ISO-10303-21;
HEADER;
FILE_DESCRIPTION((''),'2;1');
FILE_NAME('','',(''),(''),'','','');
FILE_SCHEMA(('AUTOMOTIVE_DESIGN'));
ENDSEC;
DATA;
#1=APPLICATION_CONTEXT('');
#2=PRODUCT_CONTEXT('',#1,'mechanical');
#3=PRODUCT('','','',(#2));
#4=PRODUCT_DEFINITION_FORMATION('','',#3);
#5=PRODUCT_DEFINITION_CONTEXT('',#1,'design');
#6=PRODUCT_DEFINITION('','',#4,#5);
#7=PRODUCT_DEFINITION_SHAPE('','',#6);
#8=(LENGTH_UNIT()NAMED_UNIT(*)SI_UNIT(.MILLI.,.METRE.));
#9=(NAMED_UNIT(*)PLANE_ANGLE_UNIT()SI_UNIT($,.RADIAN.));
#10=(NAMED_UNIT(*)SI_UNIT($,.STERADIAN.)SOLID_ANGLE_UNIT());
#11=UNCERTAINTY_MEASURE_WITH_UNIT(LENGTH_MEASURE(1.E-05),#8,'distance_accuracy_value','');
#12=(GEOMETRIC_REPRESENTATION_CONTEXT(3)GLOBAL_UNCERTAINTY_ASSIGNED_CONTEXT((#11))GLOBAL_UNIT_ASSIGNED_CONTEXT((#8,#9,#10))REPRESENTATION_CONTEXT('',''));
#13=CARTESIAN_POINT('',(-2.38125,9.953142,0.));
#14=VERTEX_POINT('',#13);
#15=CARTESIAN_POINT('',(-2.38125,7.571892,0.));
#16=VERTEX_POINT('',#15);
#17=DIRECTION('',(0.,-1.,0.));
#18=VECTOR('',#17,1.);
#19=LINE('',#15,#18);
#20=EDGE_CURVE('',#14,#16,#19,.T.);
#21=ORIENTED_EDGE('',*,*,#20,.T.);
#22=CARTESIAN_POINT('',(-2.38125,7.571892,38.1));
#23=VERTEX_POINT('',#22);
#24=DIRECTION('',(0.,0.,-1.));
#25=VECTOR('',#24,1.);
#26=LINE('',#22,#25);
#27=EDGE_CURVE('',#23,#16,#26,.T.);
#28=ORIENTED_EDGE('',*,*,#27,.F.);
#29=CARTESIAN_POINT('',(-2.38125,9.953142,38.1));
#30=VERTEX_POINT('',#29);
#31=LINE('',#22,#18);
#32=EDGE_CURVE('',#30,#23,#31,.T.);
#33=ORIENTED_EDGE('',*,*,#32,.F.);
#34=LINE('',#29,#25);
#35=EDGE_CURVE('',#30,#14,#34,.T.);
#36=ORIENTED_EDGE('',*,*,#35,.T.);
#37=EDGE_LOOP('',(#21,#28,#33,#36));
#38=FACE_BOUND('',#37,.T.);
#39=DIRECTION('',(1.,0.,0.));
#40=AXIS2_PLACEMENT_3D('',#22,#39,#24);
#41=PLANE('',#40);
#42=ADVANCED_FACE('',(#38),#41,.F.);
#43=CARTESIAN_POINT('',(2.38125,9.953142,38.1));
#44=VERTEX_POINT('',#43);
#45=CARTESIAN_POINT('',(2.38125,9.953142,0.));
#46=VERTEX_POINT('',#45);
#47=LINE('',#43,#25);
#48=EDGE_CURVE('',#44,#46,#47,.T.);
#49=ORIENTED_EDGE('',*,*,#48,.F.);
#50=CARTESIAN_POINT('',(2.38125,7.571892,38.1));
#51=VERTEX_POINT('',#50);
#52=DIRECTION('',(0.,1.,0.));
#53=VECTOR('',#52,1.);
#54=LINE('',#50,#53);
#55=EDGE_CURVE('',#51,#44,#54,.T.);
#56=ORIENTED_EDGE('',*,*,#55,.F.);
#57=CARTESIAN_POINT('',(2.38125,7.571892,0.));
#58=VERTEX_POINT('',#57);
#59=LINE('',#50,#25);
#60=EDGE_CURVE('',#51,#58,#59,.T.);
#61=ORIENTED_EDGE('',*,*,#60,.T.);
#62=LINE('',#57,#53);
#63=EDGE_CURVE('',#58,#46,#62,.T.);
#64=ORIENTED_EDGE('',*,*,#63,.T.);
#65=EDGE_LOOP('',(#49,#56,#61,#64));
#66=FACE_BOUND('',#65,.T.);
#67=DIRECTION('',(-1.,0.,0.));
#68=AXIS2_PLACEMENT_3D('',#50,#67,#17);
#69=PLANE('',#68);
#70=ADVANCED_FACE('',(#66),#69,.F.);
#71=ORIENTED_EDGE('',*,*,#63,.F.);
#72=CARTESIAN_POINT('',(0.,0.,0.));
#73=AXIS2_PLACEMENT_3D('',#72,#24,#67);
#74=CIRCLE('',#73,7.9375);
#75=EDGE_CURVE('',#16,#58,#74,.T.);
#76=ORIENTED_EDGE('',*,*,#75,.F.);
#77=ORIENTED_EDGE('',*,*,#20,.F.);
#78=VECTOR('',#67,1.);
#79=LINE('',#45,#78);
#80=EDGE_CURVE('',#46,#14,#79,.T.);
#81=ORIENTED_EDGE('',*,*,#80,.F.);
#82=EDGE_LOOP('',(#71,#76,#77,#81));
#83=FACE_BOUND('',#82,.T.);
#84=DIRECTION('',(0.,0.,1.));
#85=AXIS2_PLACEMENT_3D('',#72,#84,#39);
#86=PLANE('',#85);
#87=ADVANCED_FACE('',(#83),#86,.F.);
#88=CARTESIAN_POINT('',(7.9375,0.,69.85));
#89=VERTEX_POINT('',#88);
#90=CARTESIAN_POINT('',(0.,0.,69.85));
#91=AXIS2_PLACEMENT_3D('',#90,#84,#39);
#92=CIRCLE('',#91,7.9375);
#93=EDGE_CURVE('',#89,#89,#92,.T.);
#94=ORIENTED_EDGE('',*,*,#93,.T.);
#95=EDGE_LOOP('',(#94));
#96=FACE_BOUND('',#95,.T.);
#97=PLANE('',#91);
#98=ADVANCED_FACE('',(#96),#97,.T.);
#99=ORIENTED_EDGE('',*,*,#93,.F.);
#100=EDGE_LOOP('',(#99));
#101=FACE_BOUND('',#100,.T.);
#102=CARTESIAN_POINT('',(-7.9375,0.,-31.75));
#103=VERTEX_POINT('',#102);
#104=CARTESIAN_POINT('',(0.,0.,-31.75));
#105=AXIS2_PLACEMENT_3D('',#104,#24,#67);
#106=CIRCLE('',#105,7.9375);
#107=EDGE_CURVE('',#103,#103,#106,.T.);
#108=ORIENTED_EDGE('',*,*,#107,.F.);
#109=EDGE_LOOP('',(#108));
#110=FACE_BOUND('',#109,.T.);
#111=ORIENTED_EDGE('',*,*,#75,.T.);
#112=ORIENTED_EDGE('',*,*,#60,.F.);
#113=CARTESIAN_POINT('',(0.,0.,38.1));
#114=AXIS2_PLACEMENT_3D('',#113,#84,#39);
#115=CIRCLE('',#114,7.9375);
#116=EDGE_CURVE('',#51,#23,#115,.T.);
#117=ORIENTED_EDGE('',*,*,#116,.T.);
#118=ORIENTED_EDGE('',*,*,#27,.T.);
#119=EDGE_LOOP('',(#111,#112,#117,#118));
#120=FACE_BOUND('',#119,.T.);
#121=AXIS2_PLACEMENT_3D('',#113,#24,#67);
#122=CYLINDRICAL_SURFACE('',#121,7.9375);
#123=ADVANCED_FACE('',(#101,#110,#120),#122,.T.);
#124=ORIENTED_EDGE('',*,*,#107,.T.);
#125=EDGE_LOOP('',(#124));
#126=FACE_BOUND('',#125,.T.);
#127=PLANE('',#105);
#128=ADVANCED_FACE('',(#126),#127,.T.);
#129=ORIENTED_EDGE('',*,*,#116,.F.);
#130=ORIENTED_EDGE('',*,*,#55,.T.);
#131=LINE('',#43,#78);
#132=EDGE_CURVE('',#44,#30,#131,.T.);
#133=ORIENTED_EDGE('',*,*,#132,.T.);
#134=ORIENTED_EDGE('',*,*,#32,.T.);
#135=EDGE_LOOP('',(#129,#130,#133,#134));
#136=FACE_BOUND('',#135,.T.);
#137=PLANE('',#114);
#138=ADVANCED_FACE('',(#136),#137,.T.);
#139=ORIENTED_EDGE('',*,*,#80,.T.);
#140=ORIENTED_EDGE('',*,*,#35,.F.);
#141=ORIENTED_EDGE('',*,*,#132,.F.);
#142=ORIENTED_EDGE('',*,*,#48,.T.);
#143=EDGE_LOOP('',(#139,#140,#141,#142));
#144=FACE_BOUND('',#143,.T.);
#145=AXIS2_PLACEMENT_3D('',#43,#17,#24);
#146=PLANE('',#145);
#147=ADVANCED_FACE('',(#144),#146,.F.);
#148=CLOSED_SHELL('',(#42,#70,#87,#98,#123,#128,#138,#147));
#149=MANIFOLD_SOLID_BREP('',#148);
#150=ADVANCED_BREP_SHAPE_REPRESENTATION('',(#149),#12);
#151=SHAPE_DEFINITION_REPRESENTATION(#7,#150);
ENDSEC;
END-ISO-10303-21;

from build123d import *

# Parameters (mm, degrees)
BOSS_EXTRUDE1_DEPTH = 38.1
SKETCH2_R           = 7.9375
BOSS_EXTRUDE2_DEPTH = 31.75
BOSS_EXTRUDE3_START = 31.75
SKETCH3_R           = 7.9375
BOSS_EXTRUDE3_DEPTH = 31.75


with BuildPart() as part:
    # Sketch1 → Boss-Extrude1 (new body)
    with BuildSketch(Plane.XY):
        with BuildLine():
            Line((2.38125, 7.571892411), (2.38125, 9.953142411))
            Line((2.38125, 9.953142411), (-2.38125, 9.953142411))
            Line((-2.38125, 9.953142411), (-2.38125, 7.571892411))
            ThreePointArc((-2.38125, 7.571892411), (0, -7.9375), (2.38125, 7.571892411))
        make_face()
    extrude(amount=BOSS_EXTRUDE1_DEPTH)

    # Sketch2 → Boss-Extrude2 (add)
    with BuildSketch(Plane.XY.offset(38.1)):
        with Locations(Location((0, 0, 0), (0, 0, 107.457603124))):
            Circle(SKETCH2_R)
    extrude(amount=BOSS_EXTRUDE2_DEPTH)

    # Sketch3 → Boss-Extrude3 (add)
    with BuildSketch(Plane(origin=(0, 0, 0), x_dir=(-1, 0, 0), z_dir=(0, 0, -1)).offset(BOSS_EXTRUDE3_START)):
        Circle(SKETCH3_R)
    extrude(amount=-BOSS_EXTRUDE3_DEPTH)


solid = part.part
